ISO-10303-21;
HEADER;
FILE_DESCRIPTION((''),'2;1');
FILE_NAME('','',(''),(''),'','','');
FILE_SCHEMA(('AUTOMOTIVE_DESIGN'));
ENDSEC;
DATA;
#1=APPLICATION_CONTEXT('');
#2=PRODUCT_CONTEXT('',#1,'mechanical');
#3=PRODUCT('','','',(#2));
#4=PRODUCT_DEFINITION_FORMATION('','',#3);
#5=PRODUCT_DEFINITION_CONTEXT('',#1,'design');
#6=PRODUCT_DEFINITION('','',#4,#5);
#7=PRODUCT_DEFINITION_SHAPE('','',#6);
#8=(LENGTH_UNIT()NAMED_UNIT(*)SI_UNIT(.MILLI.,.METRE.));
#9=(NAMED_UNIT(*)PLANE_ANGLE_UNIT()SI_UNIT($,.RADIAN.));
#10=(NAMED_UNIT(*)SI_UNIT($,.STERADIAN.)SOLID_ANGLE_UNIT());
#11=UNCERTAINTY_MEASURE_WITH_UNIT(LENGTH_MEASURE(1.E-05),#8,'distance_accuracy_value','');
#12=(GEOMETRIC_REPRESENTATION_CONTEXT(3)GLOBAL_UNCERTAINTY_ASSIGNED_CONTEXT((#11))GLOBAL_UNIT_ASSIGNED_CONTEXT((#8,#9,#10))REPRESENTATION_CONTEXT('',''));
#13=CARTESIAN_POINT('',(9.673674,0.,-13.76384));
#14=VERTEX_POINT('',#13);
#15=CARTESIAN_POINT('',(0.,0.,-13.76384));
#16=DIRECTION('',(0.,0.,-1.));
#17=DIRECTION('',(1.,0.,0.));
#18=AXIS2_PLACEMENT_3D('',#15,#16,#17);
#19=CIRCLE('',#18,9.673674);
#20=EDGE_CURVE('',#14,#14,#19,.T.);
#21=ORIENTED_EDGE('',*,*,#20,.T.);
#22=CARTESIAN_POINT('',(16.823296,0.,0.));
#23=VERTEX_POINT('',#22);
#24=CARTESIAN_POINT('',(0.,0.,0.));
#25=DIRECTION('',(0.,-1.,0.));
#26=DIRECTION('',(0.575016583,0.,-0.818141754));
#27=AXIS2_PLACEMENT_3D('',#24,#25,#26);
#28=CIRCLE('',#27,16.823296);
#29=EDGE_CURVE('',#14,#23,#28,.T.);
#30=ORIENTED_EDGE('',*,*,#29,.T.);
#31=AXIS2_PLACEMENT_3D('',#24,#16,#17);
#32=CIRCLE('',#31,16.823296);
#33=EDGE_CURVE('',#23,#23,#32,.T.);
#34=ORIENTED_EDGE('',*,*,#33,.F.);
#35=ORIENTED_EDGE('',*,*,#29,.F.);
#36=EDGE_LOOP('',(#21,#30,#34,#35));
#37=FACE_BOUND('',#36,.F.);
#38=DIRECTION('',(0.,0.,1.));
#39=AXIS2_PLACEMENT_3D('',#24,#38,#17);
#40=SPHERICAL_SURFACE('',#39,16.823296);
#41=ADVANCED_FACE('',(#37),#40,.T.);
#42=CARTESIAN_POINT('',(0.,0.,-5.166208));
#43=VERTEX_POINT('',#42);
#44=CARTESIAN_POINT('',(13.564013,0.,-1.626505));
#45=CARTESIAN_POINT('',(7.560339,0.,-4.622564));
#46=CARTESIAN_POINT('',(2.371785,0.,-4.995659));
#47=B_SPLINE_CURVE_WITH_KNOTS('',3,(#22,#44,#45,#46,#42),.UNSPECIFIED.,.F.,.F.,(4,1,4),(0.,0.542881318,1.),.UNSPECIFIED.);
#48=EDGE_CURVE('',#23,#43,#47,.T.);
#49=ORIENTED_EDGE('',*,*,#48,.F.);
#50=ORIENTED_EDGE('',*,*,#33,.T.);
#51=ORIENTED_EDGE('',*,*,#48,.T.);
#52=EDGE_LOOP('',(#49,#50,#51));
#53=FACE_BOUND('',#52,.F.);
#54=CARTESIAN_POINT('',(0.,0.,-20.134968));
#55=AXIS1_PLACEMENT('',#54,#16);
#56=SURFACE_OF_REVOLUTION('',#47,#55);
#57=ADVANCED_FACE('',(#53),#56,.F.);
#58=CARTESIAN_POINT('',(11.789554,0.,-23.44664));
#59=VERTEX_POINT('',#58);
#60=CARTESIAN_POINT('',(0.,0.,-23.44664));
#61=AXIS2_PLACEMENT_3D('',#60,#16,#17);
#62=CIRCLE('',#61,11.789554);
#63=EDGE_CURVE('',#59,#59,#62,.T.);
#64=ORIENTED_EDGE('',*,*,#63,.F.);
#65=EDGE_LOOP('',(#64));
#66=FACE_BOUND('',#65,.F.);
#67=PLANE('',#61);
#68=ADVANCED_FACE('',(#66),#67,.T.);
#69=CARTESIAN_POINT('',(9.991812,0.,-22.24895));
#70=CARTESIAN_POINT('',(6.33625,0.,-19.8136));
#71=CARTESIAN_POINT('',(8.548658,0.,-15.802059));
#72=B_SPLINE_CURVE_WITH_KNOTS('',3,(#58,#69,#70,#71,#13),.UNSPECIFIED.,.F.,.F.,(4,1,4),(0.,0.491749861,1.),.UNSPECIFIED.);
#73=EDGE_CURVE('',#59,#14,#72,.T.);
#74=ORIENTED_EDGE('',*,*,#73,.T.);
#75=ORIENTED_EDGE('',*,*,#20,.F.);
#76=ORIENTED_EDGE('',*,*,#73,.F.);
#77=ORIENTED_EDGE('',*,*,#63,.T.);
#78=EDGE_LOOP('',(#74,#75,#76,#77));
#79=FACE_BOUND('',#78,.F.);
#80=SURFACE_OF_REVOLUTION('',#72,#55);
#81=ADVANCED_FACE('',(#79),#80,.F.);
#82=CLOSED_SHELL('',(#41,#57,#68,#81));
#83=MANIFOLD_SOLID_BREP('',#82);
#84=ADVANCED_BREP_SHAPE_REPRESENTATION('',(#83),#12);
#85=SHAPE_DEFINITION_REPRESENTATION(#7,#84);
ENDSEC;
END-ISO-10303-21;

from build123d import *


with BuildPart() as f1:
    # F0 (on Front) → F1 (revolve)
    with BuildSketch(Plane.XZ):
        with BuildLine():
            ThreePointArc((9.6736738984, -13.7638404857), (14.9292723569, -7.7550047392), (16.8232955039, 0))
            add(Edge.make_bspline(
                [(16.8232955039, 0), (13.5640131698, -1.626504618), (7.5603393855, -4.622563914), (2.3717850992, -4.9956594374), (0, -5.1662083715)],
                knots=[0, 0, 0, 0, 0.5428813175, 1, 1, 1, 1], degree=3))
            Line((0, -5.1662083715), (0, -16.8232955039))
            Line((0, -16.8232955039), (0, -23.4466399997))
            Line((0, -23.4466399997), (11.7895537987, -23.4466399997))
            add(Edge.make_bspline(
                [(11.7895537987, -23.4466399997), (9.991812127, -22.2489497045), (6.3362501785, -19.8135998724), (8.5486578914, -15.8020589362), (9.6736738984, -13.7638404857)],
                knots=[0, 0, 0, 0, 0.4917498612, 1, 1, 1, 1], degree=3))
        make_face()
    revolve(axis=Axis((0, 0, -20.1349677518), (0, 0, -1)))


solid = f1.part
